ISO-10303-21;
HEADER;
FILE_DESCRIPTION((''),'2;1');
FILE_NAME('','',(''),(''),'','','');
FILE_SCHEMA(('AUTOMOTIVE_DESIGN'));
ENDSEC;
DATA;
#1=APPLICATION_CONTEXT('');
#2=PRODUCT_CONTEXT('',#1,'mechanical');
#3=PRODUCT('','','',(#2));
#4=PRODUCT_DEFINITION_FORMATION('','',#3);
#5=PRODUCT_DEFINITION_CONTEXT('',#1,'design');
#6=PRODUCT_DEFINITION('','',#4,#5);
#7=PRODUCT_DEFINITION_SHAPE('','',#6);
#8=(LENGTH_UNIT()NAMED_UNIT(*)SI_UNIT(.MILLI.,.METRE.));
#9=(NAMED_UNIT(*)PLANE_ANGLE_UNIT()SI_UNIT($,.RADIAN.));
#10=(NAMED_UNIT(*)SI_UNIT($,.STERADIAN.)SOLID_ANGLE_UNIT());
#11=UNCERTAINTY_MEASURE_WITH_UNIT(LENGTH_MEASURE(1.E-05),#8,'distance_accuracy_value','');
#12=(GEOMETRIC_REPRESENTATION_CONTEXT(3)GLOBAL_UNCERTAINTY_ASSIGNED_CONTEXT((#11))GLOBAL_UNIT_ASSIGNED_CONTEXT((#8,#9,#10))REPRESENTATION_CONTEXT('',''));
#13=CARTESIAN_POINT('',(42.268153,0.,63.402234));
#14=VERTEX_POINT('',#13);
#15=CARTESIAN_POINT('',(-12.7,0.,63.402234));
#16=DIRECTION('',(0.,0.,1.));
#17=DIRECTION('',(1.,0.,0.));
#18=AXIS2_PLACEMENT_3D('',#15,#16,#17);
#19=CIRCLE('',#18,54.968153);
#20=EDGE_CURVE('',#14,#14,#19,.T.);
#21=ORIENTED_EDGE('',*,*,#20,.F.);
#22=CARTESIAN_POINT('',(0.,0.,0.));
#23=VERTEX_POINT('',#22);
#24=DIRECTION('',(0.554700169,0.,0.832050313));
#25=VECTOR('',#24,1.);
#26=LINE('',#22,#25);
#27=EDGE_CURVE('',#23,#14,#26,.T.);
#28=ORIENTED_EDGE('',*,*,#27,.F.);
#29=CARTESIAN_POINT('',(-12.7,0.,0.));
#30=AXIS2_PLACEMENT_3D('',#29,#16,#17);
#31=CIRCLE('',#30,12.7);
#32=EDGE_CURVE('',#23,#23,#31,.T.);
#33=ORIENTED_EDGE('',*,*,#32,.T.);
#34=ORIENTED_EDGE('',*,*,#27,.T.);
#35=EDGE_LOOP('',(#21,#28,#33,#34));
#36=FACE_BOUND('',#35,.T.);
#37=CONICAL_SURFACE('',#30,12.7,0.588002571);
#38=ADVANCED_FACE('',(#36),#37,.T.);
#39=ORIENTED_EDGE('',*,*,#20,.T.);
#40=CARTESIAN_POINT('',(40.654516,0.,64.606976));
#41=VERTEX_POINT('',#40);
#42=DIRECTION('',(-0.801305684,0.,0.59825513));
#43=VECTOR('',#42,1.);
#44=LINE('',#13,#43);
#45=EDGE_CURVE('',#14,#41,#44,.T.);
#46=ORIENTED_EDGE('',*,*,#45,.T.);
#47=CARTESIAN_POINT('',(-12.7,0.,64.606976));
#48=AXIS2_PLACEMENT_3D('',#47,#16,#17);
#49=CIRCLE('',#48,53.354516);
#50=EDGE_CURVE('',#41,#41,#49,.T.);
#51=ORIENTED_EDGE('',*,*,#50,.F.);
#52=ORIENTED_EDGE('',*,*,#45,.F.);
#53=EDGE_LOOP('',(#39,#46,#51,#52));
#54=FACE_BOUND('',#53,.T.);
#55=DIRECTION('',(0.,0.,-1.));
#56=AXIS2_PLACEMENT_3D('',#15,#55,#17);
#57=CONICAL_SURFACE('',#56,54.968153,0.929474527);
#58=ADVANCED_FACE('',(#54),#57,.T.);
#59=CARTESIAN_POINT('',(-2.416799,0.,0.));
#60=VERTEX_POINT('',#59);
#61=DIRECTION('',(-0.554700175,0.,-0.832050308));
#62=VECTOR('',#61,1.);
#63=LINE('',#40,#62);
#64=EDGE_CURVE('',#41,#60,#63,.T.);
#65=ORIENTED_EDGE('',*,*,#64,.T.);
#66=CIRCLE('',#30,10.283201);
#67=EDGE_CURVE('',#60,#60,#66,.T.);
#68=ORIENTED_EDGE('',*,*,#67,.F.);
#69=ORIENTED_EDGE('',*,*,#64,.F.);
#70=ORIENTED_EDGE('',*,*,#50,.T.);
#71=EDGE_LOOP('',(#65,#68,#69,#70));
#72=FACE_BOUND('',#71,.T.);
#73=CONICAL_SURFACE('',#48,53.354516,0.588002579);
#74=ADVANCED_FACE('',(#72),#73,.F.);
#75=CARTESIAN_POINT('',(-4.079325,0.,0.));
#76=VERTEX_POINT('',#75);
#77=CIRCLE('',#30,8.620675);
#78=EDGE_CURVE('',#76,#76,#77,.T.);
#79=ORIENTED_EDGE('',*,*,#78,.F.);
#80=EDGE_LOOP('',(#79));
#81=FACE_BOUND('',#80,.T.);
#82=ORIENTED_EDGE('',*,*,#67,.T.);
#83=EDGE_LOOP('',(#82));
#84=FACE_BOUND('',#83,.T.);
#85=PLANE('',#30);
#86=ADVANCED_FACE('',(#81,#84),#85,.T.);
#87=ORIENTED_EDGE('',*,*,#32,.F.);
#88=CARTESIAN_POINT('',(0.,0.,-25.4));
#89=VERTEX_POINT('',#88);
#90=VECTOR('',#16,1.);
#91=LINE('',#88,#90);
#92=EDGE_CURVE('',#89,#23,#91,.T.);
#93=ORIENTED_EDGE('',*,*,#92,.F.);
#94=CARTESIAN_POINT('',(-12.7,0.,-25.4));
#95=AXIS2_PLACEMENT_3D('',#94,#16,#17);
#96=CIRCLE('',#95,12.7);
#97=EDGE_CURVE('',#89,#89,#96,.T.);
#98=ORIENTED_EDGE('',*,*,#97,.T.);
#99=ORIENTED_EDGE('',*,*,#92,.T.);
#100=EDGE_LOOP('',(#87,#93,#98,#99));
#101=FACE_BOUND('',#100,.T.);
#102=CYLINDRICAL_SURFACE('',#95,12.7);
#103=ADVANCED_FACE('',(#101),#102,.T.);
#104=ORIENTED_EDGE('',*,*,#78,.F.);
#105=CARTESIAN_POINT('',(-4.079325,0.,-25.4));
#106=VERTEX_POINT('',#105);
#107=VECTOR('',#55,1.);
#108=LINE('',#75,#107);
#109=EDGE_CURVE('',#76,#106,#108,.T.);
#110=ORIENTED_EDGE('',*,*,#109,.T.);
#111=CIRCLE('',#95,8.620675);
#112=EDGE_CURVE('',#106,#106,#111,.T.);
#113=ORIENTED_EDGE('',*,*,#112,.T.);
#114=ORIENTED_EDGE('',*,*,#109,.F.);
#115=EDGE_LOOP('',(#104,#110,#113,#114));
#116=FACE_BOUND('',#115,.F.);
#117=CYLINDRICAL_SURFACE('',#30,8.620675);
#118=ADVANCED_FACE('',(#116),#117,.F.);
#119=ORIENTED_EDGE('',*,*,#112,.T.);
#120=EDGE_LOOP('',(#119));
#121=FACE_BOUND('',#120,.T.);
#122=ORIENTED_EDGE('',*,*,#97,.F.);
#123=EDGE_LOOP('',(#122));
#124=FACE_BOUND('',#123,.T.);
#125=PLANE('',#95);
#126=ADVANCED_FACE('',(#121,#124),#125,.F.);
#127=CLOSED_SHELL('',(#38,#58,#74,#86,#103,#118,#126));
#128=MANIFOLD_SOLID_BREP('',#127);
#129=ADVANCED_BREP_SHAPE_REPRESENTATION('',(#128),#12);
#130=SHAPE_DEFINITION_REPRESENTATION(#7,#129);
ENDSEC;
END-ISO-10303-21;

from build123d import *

# Parameters (mm, degrees)
F2_R     = 8.620675
F3_DEPTH = 25.4


with BuildPart() as f1:
    # F0 (on Front) → F1 (revolve)
    with BuildSketch(Plane.XZ):
        Polygon((0, -25.4), (0, 0), (42.268153, 63.402234), (40.654516, 64.606976), (-2.416799, 0), (-12.7, 0), (-12.7, -20.814057), (-12.7, -25.4), align=None)
    revolve(axis=Axis((-12.7, 0, -10.407029), (0, 0, 1)))

    # F2 (on face) → F3 (cut)
    with BuildSketch(Plane.XY):
        with Locations((-12.7, 0)):
            Circle(F2_R)
    extrude(amount=-F3_DEPTH, mode=Mode.SUBTRACT)


solid = f1.part
